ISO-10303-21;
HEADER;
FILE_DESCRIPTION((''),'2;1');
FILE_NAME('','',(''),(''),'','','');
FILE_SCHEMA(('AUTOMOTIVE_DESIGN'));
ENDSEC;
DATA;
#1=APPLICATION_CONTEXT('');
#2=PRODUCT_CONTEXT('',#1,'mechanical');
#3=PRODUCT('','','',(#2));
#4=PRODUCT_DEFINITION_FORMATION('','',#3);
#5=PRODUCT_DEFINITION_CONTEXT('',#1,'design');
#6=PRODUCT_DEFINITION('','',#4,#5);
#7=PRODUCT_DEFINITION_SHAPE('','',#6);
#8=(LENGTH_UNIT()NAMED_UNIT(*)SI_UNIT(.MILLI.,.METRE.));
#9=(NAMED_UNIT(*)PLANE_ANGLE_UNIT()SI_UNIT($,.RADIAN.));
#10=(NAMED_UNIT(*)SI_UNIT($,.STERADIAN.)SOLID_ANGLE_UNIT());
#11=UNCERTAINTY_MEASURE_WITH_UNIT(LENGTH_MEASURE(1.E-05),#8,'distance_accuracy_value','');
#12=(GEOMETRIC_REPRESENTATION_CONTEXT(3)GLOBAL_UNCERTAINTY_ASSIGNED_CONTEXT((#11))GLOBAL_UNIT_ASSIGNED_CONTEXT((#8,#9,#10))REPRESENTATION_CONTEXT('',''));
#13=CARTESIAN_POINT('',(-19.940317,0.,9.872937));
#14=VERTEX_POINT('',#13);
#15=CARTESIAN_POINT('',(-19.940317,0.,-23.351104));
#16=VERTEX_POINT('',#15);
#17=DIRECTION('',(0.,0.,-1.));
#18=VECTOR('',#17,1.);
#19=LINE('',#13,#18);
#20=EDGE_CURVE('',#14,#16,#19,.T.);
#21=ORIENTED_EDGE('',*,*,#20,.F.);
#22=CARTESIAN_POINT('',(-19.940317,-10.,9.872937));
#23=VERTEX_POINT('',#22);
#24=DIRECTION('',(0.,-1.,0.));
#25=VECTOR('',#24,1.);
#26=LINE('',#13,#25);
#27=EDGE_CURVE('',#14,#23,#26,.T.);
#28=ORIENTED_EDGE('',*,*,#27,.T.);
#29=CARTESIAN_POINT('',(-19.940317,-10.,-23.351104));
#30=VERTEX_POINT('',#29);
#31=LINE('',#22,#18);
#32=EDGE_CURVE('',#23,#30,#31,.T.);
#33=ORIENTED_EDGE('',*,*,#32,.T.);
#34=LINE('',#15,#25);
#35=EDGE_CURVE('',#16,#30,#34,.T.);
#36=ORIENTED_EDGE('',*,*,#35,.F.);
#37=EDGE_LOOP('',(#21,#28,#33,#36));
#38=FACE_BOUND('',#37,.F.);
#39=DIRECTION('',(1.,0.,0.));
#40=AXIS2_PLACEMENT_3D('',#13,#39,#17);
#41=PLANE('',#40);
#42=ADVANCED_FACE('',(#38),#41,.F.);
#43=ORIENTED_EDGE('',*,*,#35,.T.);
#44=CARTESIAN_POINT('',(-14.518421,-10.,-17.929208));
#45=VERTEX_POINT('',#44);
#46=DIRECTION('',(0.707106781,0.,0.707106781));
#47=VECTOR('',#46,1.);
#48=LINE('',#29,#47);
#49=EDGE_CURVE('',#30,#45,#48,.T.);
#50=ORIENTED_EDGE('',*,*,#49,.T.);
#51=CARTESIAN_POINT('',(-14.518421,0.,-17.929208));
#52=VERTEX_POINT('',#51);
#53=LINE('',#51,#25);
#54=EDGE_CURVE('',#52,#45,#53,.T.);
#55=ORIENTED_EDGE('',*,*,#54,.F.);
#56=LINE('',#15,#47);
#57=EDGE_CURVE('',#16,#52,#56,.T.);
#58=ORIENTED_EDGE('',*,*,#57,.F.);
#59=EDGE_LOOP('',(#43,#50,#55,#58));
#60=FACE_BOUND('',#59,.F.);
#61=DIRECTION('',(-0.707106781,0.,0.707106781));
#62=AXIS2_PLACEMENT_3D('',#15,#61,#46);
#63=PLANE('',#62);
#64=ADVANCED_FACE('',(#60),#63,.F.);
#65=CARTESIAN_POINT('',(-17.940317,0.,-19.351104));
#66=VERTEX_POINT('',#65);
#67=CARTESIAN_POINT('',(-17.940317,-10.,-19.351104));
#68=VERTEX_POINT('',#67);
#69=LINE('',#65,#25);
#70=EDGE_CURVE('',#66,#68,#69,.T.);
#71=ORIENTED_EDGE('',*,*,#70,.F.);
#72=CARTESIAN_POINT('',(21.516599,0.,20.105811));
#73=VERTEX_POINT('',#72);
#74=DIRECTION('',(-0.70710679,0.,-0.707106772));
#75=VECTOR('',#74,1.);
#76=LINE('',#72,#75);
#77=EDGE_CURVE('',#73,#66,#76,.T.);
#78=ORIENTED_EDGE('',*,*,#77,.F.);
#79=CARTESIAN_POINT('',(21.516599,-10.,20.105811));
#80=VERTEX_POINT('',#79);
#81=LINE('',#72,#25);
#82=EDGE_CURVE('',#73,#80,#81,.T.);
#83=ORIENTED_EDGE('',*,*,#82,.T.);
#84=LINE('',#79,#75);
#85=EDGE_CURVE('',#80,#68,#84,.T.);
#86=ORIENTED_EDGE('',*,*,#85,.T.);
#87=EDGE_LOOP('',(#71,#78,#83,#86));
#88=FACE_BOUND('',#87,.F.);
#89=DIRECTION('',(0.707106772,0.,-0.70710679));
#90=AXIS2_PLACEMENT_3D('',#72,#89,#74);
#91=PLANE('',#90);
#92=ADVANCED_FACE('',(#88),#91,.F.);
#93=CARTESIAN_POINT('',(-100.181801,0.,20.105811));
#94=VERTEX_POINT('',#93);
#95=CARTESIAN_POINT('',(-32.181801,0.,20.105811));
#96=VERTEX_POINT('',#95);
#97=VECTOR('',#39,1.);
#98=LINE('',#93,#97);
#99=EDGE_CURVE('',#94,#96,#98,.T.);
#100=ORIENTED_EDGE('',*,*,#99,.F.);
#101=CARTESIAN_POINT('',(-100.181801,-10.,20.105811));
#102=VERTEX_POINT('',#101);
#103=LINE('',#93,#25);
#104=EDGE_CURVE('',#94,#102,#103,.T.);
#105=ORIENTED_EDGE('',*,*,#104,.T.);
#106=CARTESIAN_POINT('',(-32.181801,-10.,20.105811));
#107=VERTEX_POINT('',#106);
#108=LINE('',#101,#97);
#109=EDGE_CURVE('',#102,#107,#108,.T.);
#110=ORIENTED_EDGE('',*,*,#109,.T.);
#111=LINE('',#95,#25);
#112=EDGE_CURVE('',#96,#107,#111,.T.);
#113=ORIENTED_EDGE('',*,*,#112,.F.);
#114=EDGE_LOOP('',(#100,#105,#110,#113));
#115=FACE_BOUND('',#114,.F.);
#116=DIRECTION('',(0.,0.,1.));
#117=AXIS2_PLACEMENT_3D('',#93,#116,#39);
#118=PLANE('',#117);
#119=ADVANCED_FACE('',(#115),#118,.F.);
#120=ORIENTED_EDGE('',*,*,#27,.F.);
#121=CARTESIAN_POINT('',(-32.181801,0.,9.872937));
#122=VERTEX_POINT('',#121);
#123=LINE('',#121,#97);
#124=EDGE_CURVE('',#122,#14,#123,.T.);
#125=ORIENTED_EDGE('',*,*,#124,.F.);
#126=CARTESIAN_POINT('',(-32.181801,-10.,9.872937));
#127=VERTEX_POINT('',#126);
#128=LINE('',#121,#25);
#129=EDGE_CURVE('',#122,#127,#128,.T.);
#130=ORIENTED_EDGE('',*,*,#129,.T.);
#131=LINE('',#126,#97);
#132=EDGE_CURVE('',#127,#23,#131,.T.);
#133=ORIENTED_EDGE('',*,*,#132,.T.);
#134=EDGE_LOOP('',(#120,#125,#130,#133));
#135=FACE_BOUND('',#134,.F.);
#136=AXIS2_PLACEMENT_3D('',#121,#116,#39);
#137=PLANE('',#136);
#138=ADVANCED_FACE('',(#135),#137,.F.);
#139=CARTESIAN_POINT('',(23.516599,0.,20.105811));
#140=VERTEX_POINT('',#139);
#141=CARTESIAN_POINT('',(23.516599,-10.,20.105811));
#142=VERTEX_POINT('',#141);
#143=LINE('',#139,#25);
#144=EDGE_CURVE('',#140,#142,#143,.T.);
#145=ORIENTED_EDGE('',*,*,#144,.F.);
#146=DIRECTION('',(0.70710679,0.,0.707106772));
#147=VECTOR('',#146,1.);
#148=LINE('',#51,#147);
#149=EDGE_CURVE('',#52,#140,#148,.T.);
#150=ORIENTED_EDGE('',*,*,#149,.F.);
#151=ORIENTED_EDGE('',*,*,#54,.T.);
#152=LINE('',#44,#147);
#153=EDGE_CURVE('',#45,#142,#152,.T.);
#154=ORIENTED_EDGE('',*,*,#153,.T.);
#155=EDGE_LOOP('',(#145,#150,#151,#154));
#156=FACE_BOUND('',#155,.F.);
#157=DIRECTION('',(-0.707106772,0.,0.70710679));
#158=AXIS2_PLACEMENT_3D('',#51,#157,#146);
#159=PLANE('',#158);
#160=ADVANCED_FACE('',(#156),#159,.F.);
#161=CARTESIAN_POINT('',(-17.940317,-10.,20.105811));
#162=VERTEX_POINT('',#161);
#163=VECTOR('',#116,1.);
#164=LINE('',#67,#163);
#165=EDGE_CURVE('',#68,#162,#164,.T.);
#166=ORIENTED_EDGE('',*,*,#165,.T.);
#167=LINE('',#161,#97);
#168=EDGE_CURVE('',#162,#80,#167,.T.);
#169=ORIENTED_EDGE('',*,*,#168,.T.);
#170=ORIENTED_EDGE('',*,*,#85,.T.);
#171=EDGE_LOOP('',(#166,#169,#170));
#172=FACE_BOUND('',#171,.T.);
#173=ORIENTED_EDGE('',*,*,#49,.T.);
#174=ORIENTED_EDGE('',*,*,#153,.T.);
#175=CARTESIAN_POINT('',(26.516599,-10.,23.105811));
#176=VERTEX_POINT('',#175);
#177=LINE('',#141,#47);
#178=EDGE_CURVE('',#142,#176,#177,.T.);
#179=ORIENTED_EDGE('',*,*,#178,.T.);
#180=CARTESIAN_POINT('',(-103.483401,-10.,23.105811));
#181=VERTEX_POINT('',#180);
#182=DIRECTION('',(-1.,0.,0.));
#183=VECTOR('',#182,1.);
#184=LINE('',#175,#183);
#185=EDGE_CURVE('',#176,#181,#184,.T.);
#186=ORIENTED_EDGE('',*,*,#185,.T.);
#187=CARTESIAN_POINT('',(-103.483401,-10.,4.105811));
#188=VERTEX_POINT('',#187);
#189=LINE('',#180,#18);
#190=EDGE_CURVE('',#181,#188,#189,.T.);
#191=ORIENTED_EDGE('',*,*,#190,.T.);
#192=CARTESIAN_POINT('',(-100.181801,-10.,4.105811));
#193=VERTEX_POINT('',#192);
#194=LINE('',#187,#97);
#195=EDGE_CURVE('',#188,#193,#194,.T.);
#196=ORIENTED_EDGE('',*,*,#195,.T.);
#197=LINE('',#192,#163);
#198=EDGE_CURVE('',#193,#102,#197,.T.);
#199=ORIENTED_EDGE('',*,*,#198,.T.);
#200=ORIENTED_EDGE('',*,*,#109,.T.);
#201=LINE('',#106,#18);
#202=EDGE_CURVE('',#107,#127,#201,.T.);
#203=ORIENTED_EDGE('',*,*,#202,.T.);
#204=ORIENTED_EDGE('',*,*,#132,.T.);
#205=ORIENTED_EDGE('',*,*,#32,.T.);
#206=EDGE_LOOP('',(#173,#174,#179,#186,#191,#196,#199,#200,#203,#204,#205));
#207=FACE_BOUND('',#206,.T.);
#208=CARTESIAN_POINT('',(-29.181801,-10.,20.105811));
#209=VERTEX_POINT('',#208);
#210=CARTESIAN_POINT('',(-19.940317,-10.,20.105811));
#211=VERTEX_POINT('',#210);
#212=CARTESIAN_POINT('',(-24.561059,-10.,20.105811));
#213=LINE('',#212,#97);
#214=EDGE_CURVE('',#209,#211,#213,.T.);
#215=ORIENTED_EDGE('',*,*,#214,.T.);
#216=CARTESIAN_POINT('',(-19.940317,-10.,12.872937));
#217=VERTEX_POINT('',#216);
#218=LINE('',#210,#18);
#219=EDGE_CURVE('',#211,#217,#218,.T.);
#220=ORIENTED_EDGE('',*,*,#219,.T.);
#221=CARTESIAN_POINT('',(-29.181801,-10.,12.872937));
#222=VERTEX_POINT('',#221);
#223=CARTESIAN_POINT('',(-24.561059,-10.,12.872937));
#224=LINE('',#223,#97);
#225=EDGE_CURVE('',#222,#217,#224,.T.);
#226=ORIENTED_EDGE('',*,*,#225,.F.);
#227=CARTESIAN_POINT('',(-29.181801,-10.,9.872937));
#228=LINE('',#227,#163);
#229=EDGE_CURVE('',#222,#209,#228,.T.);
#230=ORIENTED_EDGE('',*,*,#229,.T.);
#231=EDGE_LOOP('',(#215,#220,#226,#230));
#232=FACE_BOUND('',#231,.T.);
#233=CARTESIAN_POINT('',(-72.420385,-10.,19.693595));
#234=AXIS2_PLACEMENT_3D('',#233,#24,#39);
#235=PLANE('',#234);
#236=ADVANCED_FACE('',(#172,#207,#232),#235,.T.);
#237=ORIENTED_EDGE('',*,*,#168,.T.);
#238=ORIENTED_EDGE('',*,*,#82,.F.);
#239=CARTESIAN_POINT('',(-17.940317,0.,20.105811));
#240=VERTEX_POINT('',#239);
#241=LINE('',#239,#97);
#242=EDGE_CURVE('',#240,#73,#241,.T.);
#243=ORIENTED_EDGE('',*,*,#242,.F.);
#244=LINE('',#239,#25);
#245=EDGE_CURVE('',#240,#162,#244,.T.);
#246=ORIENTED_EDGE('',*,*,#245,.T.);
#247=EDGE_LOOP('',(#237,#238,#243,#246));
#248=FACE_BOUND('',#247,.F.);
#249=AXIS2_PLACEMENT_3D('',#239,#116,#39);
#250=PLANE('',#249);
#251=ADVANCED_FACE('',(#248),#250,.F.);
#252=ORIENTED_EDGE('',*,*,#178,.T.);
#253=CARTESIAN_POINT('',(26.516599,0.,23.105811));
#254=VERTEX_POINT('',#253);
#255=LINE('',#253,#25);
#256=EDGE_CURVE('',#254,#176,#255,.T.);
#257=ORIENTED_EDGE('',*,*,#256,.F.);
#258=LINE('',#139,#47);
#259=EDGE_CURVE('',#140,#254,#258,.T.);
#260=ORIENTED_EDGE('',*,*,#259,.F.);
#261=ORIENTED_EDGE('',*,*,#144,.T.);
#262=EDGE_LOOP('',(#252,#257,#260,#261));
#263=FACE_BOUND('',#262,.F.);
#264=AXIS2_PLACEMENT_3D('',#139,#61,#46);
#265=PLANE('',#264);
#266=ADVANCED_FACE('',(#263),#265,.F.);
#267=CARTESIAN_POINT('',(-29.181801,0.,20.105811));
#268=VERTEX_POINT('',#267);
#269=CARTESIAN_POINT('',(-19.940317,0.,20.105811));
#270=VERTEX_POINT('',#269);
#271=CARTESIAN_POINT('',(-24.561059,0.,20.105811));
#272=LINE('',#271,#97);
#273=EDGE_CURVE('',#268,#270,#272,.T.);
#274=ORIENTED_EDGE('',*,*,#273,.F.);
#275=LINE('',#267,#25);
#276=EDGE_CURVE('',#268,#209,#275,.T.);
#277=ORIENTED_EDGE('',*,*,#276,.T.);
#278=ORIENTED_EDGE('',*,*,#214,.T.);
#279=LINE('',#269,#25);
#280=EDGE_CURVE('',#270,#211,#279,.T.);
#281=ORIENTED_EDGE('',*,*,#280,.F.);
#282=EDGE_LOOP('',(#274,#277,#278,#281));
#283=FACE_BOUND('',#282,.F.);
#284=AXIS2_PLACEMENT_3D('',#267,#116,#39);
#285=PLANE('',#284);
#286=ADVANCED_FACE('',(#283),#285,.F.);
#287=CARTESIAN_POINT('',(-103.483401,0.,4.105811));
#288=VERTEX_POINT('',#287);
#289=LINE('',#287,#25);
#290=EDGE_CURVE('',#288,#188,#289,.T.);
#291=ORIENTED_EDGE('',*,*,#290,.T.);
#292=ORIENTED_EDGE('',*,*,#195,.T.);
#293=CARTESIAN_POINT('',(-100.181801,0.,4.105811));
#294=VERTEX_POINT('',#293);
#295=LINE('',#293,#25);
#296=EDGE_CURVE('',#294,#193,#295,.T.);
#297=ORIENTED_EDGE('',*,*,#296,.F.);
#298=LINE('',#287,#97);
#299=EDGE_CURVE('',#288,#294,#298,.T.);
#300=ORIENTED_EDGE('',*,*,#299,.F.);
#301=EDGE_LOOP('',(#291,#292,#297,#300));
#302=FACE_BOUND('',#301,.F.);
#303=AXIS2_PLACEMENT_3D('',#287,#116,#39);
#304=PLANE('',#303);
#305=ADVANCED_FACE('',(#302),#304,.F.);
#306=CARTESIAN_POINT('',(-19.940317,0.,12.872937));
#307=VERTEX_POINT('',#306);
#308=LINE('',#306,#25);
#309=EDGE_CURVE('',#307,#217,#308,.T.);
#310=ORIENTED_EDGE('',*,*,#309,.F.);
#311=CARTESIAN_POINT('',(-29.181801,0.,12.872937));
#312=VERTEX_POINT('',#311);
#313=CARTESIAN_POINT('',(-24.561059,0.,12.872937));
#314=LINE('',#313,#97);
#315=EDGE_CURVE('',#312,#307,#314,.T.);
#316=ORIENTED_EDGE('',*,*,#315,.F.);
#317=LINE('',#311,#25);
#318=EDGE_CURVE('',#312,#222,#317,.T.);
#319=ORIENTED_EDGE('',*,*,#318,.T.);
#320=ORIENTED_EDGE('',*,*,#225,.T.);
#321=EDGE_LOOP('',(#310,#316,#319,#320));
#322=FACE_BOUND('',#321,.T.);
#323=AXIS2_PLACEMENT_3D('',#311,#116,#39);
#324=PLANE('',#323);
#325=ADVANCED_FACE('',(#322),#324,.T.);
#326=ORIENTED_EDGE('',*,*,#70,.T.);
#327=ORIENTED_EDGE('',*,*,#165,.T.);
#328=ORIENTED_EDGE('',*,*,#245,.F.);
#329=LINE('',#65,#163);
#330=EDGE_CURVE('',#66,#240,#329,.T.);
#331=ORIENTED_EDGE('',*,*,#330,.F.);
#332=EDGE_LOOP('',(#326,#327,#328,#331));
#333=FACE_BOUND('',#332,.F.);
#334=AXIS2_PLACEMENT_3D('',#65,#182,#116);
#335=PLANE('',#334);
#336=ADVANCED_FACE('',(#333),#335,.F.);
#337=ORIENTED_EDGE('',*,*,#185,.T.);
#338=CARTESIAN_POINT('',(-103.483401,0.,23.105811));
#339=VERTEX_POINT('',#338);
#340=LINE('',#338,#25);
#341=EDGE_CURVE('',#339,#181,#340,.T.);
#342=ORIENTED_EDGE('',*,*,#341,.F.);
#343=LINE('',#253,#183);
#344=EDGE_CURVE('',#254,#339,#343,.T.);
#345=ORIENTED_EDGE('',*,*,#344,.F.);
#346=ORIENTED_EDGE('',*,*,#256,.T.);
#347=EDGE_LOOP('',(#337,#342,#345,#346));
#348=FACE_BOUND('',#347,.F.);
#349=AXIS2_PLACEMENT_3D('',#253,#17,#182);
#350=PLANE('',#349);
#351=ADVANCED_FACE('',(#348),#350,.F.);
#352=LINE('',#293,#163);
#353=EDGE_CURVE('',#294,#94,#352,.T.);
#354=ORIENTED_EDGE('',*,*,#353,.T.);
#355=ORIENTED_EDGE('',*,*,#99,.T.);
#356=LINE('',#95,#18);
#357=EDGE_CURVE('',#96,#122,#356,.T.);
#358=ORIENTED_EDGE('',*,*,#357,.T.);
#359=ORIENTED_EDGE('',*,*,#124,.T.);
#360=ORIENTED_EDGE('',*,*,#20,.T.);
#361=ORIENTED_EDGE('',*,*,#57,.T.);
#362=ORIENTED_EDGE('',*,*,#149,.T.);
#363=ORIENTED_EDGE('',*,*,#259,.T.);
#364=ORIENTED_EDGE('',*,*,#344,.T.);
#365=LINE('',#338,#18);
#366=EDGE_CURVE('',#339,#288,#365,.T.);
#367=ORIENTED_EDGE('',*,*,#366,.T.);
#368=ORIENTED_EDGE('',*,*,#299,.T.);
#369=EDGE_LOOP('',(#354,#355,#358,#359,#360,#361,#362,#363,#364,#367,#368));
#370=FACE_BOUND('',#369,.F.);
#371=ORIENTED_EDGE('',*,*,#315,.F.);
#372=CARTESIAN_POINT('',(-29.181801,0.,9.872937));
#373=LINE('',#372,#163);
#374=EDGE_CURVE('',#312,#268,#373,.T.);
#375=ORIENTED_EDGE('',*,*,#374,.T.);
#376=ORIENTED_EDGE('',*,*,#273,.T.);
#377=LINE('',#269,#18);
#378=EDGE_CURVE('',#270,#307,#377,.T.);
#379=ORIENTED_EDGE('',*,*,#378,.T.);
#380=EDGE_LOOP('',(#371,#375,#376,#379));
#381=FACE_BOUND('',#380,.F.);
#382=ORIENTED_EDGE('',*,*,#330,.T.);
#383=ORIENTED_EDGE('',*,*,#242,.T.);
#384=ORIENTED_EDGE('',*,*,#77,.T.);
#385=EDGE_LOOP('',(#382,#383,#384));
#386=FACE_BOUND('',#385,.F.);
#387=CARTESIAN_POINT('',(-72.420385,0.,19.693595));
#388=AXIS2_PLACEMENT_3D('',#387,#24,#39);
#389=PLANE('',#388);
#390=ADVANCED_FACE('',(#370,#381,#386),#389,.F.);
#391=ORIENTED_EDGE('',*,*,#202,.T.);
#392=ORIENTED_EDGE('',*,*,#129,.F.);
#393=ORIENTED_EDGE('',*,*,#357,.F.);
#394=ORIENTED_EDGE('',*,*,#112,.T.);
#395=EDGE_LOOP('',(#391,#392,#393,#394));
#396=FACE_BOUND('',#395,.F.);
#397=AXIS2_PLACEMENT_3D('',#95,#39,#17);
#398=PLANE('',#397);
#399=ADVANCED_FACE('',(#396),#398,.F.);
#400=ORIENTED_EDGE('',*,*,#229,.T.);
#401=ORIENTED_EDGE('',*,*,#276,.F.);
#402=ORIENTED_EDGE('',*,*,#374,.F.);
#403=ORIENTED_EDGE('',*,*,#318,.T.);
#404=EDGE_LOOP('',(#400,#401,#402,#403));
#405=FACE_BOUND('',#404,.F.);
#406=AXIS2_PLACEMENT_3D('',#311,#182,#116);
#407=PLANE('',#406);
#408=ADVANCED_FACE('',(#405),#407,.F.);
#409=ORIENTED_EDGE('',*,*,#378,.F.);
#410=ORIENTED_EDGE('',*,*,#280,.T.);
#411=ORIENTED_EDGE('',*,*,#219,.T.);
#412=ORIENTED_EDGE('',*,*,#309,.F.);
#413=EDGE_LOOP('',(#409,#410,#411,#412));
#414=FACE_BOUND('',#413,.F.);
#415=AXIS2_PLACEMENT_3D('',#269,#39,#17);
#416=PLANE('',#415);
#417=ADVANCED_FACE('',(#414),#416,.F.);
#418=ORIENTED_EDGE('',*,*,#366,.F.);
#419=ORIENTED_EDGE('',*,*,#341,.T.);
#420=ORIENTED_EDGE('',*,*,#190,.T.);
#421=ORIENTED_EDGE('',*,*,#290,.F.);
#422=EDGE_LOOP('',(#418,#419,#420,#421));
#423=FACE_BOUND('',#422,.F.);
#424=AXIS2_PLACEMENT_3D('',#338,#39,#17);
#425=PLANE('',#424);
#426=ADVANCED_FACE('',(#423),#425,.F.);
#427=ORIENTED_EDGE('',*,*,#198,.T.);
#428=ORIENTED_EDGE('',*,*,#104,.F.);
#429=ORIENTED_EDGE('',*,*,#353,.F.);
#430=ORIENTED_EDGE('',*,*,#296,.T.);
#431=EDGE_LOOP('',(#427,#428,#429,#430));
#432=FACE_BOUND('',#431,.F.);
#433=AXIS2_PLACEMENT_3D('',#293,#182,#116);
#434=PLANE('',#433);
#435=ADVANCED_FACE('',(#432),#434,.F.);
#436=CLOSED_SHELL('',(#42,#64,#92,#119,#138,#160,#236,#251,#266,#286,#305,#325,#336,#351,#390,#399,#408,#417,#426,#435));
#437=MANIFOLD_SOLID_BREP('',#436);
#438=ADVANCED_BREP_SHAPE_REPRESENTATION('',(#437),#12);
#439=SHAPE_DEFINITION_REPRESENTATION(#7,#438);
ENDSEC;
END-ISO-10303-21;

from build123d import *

# Parameters (mm, degrees)
F0_W     = 3
F0_H     = 7.232874
F0_H_2   = 3
F0_W_2   = 9.241484
F0_W_3   = 2
F1_DEPTH = 10


with BuildPart() as f1:
    # F0 (on Front) → F1 (new body)
    with BuildSketch(Plane.XZ):
        Polygon((-100.181801, 4.105811), (-100.181801, 20.105811), (-32.181801, 20.105811), (-29.181801, 20.105811), (-29.181801, 23.105811), (-103.483401, 23.105811), (-103.483401, 20.105811), (-103.483401, 4.105811), align=None)
        with Locations((-30.681801, 16.489374)):
            Rectangle(F0_W, F0_H)
        with Locations((-30.681801, 11.372937)):
            Rectangle(F0_W, F0_H_2)
        with Locations((-24.561059, 21.605811)):
            Rectangle(F0_W_2, F0_H_2)
        with Locations((-24.561059, 11.372937)):
            Rectangle(F0_W_2, F0_H_2)
        Polygon((-17.940317, 20.105811), (-19.940317, 20.105811), (-19.940317, 12.872937), (-19.940317, 9.872937), (-19.940317, -21.351104), (-17.940317, -19.351104), align=None)
        with Locations((-18.940317, 21.605811)):
            Rectangle(F0_W_3, F0_H_2)
        Polygon((-17.940317, 23.105811), (-17.940317, 20.105811), (21.516599, 20.105811), (24.516599, 23.105811), align=None)
        Polygon((21.516599, 20.105811), (-17.940317, -19.351104), (-19.940317, -21.351104), (-19.940317, -23.351104), (-14.518421, -17.929208), (23.516599, 20.105811), align=None)
        Polygon((24.516599, 23.105811), (21.516599, 20.105811), (23.516599, 20.105811), (26.516599, 23.105811), align=None)
    extrude(amount=F1_DEPTH)


solid = f1.part
